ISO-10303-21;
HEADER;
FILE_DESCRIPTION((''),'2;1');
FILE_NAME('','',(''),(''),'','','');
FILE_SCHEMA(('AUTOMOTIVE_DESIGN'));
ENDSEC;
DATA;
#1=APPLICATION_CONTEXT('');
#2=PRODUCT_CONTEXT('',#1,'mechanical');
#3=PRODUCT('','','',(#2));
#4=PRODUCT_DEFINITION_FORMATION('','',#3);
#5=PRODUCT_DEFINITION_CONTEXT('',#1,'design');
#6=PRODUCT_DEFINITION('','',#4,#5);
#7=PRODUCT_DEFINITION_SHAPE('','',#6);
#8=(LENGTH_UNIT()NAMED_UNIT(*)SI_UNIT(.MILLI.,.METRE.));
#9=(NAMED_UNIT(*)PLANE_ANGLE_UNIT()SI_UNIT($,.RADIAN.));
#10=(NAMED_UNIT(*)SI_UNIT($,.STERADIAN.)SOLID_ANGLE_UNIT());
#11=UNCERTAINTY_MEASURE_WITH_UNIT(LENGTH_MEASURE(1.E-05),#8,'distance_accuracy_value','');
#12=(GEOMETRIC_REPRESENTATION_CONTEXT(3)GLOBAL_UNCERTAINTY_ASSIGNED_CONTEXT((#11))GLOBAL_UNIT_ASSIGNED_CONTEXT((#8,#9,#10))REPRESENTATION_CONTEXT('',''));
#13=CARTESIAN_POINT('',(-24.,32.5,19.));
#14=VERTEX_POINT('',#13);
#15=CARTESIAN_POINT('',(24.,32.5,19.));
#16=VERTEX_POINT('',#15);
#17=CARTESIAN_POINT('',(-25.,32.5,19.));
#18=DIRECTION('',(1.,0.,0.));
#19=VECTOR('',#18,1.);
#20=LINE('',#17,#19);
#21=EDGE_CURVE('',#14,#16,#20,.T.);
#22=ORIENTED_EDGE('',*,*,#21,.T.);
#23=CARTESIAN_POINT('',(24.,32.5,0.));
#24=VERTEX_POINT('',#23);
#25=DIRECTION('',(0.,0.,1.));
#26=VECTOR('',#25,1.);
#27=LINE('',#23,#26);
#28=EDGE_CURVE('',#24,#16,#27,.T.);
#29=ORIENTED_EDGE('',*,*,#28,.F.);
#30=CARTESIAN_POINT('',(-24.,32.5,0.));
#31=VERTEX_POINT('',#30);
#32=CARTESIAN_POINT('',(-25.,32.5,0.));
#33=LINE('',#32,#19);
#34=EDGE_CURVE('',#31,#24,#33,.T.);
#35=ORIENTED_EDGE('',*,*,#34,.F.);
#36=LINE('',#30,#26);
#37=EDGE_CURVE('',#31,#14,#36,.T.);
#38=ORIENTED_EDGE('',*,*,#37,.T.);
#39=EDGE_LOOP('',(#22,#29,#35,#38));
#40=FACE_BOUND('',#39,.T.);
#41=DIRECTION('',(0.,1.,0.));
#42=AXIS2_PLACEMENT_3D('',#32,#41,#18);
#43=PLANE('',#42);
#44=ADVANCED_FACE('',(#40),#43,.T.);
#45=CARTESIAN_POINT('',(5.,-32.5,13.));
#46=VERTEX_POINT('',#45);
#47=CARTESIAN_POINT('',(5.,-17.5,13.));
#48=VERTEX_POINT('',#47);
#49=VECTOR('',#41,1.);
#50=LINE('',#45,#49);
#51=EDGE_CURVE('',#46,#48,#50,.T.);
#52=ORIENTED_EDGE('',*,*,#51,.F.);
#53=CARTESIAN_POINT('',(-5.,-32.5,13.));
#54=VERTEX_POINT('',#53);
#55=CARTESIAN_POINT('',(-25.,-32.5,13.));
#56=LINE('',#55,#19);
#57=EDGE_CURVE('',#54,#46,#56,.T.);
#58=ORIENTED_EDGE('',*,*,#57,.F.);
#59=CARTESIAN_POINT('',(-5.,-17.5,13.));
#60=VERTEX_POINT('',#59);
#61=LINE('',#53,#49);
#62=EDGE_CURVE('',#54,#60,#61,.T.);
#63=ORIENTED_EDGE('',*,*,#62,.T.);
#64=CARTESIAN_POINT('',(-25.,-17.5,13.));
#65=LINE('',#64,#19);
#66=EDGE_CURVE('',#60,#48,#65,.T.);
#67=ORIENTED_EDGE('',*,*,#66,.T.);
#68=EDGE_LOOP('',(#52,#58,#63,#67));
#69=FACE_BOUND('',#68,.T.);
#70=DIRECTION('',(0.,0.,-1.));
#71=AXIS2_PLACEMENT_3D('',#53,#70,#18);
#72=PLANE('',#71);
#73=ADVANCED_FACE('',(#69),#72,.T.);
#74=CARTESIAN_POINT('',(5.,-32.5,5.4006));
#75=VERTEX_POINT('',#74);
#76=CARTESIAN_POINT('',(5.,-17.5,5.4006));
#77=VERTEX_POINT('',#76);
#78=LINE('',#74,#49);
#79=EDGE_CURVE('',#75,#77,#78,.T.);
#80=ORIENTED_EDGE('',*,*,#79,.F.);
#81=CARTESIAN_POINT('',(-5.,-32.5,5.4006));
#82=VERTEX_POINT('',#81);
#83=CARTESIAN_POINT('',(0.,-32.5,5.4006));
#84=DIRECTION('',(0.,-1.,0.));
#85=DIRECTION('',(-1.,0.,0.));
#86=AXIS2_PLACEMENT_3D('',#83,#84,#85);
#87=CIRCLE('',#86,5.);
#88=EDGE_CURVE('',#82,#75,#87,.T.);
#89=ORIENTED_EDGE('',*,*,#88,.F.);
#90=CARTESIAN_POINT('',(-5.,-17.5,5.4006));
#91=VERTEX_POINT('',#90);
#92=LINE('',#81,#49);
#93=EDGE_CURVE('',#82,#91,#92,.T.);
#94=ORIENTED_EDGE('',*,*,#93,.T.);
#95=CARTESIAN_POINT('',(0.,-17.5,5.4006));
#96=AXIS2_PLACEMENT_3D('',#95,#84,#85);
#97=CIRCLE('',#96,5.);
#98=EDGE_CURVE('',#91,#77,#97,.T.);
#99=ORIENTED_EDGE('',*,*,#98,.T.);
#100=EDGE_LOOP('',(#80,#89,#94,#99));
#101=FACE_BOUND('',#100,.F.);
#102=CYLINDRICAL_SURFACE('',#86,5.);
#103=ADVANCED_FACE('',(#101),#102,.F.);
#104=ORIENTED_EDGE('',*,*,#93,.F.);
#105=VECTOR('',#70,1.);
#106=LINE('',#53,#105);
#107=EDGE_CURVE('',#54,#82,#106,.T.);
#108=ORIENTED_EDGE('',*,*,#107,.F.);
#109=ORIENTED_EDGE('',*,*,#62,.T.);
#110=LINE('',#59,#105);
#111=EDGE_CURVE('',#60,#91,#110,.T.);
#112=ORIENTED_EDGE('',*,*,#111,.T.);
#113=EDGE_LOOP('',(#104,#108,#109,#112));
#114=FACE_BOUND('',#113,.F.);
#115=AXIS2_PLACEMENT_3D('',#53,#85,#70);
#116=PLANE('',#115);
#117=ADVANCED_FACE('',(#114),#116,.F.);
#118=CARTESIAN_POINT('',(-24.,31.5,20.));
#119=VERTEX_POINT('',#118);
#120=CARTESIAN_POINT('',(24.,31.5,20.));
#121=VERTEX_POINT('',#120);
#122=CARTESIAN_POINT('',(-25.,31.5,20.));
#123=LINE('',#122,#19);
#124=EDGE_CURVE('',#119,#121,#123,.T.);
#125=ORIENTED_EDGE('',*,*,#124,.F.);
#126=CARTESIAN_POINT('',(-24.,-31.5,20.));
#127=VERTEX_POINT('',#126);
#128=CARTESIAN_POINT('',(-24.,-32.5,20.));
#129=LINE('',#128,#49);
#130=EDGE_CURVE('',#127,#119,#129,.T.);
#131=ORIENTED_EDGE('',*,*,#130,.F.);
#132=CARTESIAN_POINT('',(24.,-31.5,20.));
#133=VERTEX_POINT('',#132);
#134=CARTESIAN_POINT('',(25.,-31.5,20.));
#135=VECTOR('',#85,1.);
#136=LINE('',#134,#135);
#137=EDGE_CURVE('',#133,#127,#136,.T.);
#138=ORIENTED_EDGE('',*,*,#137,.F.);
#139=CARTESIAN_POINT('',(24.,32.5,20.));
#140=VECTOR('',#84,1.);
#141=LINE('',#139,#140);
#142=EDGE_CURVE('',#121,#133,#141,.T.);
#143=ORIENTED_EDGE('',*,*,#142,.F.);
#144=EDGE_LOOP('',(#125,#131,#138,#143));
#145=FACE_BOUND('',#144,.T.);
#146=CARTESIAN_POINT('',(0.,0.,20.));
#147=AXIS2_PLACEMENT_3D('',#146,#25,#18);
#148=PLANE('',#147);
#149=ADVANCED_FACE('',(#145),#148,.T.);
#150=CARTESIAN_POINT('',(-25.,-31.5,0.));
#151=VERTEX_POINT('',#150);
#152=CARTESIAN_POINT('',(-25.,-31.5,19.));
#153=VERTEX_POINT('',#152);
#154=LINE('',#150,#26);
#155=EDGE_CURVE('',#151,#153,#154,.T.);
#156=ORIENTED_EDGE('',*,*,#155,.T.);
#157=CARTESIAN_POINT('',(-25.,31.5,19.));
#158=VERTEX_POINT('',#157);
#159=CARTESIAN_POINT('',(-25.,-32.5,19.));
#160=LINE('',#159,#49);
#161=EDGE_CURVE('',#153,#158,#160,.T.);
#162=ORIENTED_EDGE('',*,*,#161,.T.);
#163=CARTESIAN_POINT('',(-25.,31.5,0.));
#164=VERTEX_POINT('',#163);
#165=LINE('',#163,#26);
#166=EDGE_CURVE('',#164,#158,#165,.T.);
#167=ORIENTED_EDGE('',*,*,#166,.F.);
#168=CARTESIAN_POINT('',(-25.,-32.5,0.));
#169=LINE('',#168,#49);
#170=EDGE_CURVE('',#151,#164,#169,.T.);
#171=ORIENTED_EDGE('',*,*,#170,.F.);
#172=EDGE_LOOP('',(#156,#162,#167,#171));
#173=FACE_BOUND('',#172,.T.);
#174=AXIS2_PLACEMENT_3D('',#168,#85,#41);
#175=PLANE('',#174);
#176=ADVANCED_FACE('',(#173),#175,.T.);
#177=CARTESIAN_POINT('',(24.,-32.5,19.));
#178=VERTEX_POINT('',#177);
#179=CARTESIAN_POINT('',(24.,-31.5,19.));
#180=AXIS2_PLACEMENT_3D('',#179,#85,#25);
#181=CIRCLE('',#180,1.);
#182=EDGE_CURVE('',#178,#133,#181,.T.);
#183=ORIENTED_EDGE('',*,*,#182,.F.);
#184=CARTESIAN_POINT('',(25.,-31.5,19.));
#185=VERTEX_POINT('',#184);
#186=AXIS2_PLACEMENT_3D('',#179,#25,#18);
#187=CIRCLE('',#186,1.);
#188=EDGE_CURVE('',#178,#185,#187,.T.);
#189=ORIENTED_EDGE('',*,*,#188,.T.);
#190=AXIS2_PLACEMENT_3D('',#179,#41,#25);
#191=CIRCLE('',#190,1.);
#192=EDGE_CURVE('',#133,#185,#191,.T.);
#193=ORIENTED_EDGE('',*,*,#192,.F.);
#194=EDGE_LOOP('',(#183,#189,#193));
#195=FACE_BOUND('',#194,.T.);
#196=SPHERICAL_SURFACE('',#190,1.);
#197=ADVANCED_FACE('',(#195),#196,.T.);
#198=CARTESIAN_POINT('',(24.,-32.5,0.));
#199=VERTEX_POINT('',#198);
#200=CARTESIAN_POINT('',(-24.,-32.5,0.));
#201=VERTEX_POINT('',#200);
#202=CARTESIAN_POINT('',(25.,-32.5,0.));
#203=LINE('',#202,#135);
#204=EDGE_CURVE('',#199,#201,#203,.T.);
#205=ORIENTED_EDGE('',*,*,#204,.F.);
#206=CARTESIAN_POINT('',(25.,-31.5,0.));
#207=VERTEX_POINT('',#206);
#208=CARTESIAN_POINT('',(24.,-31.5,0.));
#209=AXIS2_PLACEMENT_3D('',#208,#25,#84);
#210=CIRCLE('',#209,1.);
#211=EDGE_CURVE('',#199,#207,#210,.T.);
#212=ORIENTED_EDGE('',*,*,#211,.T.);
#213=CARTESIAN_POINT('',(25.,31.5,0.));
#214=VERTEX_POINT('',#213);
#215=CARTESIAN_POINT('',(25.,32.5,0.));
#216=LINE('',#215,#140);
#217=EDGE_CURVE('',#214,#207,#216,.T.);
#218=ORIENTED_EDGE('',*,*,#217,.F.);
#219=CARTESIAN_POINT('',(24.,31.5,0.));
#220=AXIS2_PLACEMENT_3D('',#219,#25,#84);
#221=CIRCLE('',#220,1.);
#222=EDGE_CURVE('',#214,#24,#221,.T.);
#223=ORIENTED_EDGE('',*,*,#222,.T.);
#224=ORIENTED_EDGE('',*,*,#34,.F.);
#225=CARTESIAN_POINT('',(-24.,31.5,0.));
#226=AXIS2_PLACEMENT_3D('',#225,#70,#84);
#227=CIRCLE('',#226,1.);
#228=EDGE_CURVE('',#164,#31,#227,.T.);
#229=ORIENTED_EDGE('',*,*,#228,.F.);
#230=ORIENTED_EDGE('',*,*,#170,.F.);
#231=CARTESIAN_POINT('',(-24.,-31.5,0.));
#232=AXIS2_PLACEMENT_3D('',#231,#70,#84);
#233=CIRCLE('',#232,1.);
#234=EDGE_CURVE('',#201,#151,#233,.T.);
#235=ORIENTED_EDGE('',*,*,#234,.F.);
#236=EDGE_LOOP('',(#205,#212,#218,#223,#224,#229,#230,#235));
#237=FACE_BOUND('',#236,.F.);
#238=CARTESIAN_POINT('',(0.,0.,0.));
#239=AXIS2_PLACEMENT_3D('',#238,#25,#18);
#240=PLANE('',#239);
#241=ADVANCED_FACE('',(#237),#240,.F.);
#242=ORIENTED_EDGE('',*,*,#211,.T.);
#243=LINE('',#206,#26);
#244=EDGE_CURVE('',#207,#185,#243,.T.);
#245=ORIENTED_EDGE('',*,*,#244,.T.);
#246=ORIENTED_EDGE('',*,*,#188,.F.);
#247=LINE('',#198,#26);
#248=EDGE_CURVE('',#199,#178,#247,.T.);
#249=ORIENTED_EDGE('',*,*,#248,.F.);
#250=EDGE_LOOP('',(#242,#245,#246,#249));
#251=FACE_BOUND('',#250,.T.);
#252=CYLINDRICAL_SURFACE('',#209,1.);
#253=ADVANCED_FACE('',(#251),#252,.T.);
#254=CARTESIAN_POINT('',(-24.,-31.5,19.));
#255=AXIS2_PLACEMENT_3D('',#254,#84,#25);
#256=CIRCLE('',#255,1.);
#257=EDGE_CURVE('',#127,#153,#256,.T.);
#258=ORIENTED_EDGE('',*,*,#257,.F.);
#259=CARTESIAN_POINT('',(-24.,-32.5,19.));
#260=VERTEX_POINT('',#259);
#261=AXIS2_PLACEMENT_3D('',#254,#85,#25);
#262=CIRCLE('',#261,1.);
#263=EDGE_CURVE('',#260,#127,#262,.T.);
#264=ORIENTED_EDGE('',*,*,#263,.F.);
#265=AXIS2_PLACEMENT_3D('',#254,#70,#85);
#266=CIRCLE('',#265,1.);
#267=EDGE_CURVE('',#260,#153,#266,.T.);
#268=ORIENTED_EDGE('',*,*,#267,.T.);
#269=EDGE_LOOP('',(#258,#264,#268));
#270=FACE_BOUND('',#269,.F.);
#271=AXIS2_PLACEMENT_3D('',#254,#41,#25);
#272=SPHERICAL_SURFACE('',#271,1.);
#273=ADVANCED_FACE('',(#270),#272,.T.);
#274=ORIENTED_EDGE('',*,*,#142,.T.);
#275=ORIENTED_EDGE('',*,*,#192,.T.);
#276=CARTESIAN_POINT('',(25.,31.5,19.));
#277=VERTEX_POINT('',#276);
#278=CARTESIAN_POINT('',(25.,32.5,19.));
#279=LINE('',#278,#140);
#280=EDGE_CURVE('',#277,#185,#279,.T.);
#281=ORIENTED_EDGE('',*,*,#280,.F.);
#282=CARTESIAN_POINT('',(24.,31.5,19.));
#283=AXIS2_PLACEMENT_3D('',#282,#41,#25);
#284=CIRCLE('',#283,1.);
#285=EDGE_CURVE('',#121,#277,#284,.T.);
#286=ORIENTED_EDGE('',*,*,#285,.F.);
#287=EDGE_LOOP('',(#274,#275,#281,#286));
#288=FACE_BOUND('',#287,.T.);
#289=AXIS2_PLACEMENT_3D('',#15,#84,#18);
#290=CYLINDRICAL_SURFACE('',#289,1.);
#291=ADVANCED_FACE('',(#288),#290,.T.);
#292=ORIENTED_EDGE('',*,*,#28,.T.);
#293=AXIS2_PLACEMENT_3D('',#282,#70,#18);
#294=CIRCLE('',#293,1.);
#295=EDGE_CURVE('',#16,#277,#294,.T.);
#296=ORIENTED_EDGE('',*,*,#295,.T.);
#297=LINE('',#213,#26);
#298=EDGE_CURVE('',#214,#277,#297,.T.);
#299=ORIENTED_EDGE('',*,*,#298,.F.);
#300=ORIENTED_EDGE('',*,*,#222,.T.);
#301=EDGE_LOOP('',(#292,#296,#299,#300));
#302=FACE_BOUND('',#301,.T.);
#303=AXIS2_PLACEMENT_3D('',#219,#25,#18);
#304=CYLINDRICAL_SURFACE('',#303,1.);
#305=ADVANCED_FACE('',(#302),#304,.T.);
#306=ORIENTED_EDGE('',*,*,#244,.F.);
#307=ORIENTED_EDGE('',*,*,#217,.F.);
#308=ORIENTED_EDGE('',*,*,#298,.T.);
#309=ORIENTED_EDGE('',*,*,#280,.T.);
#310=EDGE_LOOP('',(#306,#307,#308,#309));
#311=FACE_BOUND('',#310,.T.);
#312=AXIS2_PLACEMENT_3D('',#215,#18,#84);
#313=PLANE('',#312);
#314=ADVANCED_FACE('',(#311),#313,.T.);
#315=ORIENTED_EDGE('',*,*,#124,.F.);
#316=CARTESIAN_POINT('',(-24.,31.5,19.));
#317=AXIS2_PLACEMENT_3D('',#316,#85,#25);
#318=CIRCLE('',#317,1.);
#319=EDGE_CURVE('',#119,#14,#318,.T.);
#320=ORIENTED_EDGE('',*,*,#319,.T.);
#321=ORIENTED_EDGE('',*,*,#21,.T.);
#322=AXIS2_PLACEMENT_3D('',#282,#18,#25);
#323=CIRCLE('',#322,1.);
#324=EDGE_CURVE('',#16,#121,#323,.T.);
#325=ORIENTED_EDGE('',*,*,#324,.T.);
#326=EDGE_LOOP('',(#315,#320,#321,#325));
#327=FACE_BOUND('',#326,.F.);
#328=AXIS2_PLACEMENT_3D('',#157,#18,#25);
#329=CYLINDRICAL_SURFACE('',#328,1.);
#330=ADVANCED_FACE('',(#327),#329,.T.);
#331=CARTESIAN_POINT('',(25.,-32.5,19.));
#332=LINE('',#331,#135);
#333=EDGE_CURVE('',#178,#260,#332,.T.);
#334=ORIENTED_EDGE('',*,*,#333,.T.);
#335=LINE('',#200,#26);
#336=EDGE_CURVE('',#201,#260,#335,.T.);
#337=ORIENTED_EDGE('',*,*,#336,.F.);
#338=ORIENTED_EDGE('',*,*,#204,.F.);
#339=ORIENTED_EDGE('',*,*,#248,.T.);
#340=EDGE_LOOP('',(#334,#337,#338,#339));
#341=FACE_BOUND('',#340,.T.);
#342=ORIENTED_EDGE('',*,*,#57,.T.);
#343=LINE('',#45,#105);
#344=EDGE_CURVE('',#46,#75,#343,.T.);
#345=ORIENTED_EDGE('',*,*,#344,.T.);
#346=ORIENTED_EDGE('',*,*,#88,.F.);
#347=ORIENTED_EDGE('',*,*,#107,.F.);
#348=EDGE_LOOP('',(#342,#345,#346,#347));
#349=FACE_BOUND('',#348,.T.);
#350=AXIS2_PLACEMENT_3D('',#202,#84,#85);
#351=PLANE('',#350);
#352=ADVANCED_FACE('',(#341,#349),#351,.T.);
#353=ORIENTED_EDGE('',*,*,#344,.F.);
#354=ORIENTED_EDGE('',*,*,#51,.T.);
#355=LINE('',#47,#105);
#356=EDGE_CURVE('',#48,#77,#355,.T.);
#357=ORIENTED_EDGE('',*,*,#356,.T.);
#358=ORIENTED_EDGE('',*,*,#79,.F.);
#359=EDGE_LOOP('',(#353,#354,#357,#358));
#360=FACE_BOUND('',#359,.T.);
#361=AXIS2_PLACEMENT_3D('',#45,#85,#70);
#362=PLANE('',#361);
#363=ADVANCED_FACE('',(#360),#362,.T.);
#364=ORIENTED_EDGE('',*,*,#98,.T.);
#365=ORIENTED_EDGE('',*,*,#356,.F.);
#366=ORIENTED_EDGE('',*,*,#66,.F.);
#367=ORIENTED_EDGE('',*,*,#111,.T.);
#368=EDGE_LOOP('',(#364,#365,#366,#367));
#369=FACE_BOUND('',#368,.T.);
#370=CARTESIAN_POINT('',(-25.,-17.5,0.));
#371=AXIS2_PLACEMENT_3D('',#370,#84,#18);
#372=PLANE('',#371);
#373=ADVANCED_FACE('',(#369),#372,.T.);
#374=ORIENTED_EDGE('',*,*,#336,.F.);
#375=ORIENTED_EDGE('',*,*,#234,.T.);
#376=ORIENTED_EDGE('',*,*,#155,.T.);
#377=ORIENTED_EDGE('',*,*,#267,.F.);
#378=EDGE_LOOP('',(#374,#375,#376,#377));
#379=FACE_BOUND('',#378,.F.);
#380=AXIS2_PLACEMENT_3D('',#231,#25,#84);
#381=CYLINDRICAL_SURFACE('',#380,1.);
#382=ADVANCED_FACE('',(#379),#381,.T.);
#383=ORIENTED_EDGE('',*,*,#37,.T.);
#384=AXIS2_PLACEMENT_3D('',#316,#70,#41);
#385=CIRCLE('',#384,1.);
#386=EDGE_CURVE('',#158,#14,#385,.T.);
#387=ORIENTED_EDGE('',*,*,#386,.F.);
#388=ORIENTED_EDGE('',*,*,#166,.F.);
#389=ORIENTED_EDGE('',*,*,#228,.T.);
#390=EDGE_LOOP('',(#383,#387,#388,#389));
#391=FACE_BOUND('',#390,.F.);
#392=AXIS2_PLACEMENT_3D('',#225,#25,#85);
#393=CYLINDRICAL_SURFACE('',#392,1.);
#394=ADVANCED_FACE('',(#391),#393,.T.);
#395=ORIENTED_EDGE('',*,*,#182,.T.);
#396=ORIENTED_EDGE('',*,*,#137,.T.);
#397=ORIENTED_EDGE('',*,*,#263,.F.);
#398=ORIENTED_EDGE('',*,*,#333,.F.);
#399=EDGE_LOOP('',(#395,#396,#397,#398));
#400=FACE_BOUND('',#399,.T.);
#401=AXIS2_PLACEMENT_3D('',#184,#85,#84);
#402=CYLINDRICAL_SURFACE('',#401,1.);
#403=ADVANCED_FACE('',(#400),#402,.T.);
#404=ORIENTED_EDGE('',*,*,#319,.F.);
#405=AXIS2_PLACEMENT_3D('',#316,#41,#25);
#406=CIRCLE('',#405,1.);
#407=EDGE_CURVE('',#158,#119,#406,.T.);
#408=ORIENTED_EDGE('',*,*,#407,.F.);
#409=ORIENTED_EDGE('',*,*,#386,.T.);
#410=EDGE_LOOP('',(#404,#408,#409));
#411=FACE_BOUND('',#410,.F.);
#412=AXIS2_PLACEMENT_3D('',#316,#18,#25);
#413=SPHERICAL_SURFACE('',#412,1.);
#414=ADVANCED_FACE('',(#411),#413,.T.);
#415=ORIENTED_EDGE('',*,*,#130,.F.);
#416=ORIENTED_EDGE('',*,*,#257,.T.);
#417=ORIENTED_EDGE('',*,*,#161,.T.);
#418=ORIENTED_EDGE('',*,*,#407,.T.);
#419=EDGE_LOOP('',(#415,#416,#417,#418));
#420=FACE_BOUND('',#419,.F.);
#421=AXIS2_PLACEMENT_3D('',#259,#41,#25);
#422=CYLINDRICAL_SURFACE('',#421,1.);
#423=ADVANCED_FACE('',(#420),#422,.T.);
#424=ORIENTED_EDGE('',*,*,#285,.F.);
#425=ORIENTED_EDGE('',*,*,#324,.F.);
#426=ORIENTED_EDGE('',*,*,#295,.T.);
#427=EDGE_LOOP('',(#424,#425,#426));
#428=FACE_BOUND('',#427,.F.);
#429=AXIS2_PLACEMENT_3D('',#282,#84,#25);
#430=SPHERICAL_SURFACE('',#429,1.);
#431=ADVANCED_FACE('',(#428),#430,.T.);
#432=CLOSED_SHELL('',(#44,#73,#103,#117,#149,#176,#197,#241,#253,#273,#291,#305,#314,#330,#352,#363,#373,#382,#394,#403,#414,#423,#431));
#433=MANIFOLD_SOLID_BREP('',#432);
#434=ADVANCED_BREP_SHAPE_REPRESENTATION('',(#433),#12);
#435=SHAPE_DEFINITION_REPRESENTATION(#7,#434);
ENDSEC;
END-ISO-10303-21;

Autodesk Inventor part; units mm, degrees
ref_plane "YZ Plane" through (0, 0, 0) normal (1, 0, 0) x (0, 1, 0)
ref_plane "XZ Plane" through (0, 0, 0) normal (0, 1, 0) x (-1, 0, 0)
ref_plane "XY Plane" through (0, 0, 0) normal (0, 0, 1) x (1, 0, 0)
sketch "Boceto1" plane through (0, 0, 0) normal (0, 0, 1) x (1, 0, 0)
  line L0 (25, -32.5) -> (-25, -32.5)
  line L1 (-25, -32.5) -> (-25, 32.5)
  line L2 (-25, 32.5) -> (25, 32.5)
  line L3 (25, 32.5) -> (25, -32.5)
  line L4 (25, -32.5) -> (-25, 32.5) construction
  line L5 (-25, -32.5) -> (25, 32.5) construction
  point P0 (0, 0)
  dimension "d0" = 50
  dimension "d1" = 65
extrude "Extrusión1" add sketch "Boceto1" along normal blind 20
sketch "Boceto2" plane through (-25, -32.5, 0) normal (0, -1, 0) x (1, 0, 0)
  line L0 (0, 0) -> (0, 20) projected
  line L1 (0, 13) -> (49.9794, 13)
  line L2 (0, 20) -> (50, 20) projected
  line L3 (0, 28.5169) -> (0, -2.5169) construction
  line L4 (20, 13) -> (20, 5.4006)
  line L5 (30, 13) -> (30, 5.4006)
  line L6 (25, 0) -> (25, 28.5169) construction
  arc A0 (20, 5.4006) -> (30, 5.4006) centre (25, 5.4006) ccw
  point P0 (0, 13)
  dimension "d4" = 7
  dimension "d5" = 10
  dimension "d6" = 49.9794
  dimension "d7" = 14.5994
  dimension "d8" = 8.5169
  dimension "d9" = 8.5169
extrude "Extrusión2" cut sketch "Boceto2" against normal blind 15
fillet "Empalme1" radius 1 8 edges at (25, 0, 20) (0, 32.5, 20) (25, 32.5, 10) (-25, 0, 20) (-25, 32.5, 10) (0, -32.5, 20) (-25, -32.5, 10) (25, -32.5, 10)
properties part number "componente"
